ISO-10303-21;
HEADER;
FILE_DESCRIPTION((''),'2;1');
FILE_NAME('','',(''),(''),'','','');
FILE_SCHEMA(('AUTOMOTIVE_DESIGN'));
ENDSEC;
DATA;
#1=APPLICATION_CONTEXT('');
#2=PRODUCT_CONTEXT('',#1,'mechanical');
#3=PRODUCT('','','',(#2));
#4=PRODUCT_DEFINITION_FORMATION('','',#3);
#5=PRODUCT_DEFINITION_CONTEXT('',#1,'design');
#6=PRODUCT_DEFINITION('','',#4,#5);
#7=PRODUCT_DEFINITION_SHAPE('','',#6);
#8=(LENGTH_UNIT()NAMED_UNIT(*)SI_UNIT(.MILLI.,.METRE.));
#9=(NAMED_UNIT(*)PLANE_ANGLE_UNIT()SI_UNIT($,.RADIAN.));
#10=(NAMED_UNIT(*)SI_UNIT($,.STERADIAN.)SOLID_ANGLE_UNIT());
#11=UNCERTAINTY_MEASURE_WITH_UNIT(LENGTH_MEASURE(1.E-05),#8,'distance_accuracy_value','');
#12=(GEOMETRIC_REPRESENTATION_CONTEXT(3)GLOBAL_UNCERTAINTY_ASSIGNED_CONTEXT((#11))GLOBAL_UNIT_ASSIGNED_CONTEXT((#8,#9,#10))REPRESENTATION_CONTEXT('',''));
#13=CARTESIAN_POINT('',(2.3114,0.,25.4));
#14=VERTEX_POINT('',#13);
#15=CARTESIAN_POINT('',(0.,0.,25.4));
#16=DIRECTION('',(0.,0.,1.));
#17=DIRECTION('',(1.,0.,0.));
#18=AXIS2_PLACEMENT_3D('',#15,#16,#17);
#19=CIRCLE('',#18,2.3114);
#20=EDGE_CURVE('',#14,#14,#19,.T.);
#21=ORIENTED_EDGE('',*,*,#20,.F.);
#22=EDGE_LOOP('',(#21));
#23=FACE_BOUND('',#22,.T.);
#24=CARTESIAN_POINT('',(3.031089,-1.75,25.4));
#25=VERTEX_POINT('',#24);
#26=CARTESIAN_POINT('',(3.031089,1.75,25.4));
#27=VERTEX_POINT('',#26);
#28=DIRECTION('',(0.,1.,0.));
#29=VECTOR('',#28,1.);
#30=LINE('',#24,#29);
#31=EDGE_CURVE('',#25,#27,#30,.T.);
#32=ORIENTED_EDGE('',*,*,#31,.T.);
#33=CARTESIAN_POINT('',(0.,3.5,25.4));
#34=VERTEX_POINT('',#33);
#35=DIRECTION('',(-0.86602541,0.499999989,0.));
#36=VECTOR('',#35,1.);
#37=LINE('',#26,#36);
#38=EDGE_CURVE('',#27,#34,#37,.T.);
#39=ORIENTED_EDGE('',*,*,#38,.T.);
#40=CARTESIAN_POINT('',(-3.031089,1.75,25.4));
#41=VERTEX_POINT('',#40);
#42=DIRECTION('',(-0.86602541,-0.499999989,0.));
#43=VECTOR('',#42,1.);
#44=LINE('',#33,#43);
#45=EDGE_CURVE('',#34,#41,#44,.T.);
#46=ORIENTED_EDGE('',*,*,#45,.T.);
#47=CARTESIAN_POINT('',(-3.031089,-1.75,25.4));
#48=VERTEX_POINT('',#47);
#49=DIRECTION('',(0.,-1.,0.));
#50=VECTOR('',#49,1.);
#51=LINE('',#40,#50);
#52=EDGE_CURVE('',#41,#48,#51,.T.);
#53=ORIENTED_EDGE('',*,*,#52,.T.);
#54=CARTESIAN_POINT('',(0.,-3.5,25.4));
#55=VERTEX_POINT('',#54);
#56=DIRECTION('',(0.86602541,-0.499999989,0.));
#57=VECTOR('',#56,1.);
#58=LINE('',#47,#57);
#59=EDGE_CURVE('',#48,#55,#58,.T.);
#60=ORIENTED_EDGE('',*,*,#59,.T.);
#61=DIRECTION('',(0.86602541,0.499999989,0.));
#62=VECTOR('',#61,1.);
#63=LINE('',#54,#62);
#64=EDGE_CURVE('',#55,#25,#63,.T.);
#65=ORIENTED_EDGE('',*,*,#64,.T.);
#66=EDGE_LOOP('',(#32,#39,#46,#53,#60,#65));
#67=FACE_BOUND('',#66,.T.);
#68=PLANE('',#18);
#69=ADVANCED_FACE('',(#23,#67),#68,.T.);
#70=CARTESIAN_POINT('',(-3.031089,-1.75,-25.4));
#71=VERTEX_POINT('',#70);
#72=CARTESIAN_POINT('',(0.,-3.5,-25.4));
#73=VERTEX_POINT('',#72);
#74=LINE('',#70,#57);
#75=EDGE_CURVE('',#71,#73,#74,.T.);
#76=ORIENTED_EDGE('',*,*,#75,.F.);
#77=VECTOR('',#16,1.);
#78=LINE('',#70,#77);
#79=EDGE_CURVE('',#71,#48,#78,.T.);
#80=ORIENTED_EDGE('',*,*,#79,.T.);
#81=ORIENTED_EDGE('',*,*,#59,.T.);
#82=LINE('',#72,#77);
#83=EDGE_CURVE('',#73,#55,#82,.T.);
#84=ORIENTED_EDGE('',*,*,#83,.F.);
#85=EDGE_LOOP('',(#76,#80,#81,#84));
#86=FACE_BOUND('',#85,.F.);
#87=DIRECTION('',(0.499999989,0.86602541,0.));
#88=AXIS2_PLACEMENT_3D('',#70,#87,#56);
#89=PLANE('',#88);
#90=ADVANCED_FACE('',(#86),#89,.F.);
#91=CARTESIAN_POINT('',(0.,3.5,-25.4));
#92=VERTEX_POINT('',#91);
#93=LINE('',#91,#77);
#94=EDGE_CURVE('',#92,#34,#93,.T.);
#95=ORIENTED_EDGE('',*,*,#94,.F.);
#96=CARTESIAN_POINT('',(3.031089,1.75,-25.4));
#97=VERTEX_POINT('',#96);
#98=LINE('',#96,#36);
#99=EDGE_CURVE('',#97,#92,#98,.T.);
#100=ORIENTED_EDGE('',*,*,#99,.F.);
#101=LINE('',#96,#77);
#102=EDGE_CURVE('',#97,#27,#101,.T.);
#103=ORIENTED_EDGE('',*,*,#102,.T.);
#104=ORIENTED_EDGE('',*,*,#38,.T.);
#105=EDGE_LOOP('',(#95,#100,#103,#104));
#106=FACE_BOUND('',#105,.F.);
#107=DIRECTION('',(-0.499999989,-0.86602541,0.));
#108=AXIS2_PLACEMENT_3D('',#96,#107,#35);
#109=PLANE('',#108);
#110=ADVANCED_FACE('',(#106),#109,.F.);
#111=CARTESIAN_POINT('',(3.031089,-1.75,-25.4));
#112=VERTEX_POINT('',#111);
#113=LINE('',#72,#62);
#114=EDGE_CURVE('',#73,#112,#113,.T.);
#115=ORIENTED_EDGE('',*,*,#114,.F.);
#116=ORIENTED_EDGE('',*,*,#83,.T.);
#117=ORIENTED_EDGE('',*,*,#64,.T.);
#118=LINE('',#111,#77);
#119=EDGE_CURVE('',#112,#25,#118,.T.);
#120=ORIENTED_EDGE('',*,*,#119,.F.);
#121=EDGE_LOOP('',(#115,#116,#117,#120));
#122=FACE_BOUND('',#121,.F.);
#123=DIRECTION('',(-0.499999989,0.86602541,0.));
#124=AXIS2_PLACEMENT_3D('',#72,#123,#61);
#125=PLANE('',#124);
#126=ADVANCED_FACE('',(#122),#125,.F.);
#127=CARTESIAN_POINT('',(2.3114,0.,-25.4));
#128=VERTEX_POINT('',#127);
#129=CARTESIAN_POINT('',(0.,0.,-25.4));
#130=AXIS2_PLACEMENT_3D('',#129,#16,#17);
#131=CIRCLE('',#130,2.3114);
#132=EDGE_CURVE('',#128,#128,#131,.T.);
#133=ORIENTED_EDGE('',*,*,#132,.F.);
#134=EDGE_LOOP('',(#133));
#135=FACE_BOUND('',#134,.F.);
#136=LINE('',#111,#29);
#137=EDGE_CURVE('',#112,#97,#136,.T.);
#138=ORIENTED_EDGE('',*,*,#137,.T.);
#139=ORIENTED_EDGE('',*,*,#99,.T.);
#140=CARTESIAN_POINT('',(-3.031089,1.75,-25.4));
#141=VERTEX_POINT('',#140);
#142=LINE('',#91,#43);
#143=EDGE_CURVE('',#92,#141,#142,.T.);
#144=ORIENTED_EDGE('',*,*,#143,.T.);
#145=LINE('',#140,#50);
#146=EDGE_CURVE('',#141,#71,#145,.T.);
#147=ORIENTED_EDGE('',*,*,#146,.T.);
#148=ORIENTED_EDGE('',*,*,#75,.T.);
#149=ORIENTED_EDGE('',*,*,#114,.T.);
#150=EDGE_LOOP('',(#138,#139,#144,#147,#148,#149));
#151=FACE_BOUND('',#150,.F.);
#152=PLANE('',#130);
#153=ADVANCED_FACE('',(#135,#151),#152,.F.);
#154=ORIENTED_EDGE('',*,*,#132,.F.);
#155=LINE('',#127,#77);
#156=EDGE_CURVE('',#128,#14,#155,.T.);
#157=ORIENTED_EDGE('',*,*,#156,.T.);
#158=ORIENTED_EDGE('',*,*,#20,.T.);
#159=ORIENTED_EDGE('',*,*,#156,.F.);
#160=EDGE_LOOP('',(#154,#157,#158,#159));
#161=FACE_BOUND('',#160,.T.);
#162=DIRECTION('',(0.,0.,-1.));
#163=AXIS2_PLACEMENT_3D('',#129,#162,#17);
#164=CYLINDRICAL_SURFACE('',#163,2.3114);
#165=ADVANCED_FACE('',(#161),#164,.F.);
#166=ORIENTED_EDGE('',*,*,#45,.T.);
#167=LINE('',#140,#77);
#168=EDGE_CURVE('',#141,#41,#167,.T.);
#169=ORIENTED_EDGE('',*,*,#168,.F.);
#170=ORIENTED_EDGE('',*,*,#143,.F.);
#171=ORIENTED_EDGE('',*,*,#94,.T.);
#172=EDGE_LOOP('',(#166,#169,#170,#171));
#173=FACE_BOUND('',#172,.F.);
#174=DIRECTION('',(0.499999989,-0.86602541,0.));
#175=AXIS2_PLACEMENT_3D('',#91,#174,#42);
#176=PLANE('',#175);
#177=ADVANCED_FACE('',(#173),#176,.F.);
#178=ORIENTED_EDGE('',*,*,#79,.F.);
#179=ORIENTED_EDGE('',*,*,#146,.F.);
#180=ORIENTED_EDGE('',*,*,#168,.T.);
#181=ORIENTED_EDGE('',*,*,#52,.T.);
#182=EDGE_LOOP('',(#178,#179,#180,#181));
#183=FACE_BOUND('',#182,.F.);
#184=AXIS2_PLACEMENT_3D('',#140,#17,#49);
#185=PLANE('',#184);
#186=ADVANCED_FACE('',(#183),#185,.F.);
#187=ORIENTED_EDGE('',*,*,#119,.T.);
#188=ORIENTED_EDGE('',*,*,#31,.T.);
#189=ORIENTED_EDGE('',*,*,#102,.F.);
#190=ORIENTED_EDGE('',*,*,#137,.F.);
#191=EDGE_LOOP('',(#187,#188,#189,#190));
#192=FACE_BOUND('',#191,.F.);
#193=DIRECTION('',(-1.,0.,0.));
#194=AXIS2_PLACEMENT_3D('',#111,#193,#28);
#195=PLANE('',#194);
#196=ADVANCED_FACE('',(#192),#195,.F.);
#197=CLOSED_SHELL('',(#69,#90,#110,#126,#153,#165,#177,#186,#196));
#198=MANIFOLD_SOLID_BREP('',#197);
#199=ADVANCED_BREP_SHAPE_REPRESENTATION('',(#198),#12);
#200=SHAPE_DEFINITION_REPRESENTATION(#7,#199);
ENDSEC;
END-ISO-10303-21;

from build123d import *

# Parameters (mm, degrees)
F0_R     = 2.3114
F1_DEPTH = 50.8


with BuildPart() as f1:
    # F0 (on Top) → F1 (new body)
    with BuildSketch(Plane.XY):
        Polygon((3.031089, 1.75), (0, 3.5), (-3.031089, 1.75), (-3.031089, -1.75), (0, -3.5), (3.031089, -1.75), align=None)
        Circle(F0_R, mode=Mode.SUBTRACT)
    extrude(amount=F1_DEPTH)


with BuildPart() as f1_1:
    # F2: moved
    add(f1.part.moved(Location((0, 0, -25.4))))


solid = f1_1.part
